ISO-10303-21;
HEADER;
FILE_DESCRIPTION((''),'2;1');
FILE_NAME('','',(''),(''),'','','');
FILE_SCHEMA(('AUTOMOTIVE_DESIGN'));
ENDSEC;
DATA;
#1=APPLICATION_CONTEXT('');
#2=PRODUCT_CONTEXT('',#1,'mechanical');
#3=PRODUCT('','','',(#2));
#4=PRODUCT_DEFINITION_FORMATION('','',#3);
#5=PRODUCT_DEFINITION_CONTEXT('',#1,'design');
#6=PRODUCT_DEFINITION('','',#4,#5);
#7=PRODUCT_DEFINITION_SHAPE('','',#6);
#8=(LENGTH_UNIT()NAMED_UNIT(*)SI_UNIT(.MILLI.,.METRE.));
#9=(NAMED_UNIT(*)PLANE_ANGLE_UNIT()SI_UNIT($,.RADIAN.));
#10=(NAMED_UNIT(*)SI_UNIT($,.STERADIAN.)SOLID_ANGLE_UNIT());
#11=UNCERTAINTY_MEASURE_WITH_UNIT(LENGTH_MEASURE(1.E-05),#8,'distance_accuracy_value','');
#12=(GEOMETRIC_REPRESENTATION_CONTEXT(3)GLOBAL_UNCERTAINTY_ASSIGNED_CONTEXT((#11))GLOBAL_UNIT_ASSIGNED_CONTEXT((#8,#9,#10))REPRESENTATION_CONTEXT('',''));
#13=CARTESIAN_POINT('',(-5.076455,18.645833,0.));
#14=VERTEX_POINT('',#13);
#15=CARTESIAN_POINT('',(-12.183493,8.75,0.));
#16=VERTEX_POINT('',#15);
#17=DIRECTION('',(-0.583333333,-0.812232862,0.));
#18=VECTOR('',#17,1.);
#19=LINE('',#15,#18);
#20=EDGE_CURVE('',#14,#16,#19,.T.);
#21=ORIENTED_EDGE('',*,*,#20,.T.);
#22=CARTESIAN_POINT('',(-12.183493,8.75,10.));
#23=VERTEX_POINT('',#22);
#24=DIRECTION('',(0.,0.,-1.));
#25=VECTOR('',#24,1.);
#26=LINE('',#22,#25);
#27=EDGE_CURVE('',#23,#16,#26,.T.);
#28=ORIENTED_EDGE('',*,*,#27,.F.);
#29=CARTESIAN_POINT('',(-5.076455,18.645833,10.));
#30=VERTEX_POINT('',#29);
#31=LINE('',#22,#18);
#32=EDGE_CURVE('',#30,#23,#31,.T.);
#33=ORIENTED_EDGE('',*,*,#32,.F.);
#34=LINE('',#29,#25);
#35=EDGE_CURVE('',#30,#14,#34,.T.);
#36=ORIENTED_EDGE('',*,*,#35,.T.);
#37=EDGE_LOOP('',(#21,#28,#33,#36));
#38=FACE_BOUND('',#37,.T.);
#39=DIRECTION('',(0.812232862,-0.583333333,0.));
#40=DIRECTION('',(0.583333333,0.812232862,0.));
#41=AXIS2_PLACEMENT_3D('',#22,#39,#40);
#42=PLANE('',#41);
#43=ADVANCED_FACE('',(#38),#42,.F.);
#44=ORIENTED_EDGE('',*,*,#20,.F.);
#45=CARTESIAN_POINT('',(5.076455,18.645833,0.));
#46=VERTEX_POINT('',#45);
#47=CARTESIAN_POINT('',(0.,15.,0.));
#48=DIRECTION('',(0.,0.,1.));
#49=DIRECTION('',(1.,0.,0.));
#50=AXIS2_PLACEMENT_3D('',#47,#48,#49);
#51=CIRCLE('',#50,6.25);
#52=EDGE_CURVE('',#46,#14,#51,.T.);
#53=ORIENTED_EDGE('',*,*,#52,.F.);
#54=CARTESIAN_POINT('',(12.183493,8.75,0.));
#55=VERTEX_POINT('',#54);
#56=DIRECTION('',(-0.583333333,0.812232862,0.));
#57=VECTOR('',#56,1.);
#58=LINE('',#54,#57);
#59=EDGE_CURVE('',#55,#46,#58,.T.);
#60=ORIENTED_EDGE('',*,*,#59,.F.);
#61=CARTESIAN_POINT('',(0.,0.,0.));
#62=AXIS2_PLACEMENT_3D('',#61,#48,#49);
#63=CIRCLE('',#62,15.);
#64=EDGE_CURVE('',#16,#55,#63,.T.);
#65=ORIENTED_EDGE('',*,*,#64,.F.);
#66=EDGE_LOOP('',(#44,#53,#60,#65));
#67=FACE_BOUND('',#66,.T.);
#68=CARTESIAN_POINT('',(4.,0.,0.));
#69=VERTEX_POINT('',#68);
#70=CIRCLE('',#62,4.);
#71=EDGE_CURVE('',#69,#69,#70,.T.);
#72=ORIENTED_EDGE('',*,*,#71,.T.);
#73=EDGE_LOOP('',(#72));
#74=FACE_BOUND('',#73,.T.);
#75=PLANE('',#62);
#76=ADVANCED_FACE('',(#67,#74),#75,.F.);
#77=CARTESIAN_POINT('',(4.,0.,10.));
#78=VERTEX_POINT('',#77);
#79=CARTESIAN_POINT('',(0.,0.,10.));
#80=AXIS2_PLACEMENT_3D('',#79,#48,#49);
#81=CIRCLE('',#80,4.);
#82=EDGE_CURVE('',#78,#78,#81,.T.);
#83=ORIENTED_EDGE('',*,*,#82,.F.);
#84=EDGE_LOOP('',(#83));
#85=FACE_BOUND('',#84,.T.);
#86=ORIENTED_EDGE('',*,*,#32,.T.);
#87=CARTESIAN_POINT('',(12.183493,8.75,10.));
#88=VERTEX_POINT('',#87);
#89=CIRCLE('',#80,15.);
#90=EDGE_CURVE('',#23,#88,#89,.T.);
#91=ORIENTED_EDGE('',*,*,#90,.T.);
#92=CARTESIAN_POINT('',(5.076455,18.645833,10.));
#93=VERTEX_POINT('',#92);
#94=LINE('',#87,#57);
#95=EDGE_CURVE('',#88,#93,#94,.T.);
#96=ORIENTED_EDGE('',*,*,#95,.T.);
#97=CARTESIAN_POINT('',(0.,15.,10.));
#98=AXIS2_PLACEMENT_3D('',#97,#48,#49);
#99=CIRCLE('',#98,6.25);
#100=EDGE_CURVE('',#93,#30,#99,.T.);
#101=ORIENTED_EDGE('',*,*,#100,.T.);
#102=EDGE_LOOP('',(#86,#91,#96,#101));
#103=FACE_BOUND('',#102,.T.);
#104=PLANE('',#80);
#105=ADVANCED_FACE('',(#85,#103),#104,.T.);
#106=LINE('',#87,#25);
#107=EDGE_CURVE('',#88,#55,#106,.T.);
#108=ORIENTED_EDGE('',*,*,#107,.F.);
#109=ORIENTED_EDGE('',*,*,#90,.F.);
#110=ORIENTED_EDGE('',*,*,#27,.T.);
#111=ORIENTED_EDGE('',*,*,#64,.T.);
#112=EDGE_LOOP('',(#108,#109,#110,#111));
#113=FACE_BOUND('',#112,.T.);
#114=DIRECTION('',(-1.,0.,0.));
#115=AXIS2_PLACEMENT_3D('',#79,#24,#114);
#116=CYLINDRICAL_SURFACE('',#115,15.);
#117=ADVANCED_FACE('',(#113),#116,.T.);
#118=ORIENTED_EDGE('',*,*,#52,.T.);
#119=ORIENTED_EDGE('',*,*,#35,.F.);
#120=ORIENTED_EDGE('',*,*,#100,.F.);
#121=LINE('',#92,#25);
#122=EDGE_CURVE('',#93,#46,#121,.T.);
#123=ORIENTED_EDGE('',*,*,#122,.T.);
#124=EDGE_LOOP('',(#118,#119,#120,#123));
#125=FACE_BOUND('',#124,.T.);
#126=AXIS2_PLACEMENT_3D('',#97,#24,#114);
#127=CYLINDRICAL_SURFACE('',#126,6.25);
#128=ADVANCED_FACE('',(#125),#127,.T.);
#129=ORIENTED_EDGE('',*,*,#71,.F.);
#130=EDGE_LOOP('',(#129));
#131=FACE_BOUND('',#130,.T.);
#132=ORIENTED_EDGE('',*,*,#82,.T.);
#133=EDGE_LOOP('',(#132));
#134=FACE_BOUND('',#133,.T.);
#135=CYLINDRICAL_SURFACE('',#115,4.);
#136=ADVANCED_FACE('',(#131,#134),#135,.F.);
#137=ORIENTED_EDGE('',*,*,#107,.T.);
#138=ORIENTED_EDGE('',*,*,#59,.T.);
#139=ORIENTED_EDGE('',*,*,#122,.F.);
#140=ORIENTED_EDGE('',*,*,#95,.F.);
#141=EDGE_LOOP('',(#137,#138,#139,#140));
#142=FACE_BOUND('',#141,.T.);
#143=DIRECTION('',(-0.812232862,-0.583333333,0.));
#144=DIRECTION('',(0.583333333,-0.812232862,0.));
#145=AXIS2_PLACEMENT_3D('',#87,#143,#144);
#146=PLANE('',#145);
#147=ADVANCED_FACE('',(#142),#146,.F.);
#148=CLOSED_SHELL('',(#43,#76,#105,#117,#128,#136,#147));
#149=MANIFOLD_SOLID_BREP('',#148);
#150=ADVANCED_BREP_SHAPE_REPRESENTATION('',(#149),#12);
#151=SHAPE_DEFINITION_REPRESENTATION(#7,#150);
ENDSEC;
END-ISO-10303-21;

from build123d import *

# Parameters (mm, degrees)
SKETCH1_R           = 4
BOSS_EXTRUDE1_DEPTH = 10


with BuildPart() as part:
    # Sketch1 → Boss-Extrude1 (new body)
    with BuildSketch(Plane.XY):
        with BuildLine():
            Line((-12.183492931, 8.75), (-5.076455388, 18.645833333))
            ThreePointArc((-5.076455388, 18.645833333), (0, 21.25), (5.076455388, 18.645833333))
            Line((5.076455388, 18.645833333), (12.183492931, 8.75))
            ThreePointArc((12.183492931, 8.75), (0, -15), (-12.183492931, 8.75))
        make_face()
        Circle(SKETCH1_R, mode=Mode.SUBTRACT)
    extrude(amount=BOSS_EXTRUDE1_DEPTH)


solid = part.part
